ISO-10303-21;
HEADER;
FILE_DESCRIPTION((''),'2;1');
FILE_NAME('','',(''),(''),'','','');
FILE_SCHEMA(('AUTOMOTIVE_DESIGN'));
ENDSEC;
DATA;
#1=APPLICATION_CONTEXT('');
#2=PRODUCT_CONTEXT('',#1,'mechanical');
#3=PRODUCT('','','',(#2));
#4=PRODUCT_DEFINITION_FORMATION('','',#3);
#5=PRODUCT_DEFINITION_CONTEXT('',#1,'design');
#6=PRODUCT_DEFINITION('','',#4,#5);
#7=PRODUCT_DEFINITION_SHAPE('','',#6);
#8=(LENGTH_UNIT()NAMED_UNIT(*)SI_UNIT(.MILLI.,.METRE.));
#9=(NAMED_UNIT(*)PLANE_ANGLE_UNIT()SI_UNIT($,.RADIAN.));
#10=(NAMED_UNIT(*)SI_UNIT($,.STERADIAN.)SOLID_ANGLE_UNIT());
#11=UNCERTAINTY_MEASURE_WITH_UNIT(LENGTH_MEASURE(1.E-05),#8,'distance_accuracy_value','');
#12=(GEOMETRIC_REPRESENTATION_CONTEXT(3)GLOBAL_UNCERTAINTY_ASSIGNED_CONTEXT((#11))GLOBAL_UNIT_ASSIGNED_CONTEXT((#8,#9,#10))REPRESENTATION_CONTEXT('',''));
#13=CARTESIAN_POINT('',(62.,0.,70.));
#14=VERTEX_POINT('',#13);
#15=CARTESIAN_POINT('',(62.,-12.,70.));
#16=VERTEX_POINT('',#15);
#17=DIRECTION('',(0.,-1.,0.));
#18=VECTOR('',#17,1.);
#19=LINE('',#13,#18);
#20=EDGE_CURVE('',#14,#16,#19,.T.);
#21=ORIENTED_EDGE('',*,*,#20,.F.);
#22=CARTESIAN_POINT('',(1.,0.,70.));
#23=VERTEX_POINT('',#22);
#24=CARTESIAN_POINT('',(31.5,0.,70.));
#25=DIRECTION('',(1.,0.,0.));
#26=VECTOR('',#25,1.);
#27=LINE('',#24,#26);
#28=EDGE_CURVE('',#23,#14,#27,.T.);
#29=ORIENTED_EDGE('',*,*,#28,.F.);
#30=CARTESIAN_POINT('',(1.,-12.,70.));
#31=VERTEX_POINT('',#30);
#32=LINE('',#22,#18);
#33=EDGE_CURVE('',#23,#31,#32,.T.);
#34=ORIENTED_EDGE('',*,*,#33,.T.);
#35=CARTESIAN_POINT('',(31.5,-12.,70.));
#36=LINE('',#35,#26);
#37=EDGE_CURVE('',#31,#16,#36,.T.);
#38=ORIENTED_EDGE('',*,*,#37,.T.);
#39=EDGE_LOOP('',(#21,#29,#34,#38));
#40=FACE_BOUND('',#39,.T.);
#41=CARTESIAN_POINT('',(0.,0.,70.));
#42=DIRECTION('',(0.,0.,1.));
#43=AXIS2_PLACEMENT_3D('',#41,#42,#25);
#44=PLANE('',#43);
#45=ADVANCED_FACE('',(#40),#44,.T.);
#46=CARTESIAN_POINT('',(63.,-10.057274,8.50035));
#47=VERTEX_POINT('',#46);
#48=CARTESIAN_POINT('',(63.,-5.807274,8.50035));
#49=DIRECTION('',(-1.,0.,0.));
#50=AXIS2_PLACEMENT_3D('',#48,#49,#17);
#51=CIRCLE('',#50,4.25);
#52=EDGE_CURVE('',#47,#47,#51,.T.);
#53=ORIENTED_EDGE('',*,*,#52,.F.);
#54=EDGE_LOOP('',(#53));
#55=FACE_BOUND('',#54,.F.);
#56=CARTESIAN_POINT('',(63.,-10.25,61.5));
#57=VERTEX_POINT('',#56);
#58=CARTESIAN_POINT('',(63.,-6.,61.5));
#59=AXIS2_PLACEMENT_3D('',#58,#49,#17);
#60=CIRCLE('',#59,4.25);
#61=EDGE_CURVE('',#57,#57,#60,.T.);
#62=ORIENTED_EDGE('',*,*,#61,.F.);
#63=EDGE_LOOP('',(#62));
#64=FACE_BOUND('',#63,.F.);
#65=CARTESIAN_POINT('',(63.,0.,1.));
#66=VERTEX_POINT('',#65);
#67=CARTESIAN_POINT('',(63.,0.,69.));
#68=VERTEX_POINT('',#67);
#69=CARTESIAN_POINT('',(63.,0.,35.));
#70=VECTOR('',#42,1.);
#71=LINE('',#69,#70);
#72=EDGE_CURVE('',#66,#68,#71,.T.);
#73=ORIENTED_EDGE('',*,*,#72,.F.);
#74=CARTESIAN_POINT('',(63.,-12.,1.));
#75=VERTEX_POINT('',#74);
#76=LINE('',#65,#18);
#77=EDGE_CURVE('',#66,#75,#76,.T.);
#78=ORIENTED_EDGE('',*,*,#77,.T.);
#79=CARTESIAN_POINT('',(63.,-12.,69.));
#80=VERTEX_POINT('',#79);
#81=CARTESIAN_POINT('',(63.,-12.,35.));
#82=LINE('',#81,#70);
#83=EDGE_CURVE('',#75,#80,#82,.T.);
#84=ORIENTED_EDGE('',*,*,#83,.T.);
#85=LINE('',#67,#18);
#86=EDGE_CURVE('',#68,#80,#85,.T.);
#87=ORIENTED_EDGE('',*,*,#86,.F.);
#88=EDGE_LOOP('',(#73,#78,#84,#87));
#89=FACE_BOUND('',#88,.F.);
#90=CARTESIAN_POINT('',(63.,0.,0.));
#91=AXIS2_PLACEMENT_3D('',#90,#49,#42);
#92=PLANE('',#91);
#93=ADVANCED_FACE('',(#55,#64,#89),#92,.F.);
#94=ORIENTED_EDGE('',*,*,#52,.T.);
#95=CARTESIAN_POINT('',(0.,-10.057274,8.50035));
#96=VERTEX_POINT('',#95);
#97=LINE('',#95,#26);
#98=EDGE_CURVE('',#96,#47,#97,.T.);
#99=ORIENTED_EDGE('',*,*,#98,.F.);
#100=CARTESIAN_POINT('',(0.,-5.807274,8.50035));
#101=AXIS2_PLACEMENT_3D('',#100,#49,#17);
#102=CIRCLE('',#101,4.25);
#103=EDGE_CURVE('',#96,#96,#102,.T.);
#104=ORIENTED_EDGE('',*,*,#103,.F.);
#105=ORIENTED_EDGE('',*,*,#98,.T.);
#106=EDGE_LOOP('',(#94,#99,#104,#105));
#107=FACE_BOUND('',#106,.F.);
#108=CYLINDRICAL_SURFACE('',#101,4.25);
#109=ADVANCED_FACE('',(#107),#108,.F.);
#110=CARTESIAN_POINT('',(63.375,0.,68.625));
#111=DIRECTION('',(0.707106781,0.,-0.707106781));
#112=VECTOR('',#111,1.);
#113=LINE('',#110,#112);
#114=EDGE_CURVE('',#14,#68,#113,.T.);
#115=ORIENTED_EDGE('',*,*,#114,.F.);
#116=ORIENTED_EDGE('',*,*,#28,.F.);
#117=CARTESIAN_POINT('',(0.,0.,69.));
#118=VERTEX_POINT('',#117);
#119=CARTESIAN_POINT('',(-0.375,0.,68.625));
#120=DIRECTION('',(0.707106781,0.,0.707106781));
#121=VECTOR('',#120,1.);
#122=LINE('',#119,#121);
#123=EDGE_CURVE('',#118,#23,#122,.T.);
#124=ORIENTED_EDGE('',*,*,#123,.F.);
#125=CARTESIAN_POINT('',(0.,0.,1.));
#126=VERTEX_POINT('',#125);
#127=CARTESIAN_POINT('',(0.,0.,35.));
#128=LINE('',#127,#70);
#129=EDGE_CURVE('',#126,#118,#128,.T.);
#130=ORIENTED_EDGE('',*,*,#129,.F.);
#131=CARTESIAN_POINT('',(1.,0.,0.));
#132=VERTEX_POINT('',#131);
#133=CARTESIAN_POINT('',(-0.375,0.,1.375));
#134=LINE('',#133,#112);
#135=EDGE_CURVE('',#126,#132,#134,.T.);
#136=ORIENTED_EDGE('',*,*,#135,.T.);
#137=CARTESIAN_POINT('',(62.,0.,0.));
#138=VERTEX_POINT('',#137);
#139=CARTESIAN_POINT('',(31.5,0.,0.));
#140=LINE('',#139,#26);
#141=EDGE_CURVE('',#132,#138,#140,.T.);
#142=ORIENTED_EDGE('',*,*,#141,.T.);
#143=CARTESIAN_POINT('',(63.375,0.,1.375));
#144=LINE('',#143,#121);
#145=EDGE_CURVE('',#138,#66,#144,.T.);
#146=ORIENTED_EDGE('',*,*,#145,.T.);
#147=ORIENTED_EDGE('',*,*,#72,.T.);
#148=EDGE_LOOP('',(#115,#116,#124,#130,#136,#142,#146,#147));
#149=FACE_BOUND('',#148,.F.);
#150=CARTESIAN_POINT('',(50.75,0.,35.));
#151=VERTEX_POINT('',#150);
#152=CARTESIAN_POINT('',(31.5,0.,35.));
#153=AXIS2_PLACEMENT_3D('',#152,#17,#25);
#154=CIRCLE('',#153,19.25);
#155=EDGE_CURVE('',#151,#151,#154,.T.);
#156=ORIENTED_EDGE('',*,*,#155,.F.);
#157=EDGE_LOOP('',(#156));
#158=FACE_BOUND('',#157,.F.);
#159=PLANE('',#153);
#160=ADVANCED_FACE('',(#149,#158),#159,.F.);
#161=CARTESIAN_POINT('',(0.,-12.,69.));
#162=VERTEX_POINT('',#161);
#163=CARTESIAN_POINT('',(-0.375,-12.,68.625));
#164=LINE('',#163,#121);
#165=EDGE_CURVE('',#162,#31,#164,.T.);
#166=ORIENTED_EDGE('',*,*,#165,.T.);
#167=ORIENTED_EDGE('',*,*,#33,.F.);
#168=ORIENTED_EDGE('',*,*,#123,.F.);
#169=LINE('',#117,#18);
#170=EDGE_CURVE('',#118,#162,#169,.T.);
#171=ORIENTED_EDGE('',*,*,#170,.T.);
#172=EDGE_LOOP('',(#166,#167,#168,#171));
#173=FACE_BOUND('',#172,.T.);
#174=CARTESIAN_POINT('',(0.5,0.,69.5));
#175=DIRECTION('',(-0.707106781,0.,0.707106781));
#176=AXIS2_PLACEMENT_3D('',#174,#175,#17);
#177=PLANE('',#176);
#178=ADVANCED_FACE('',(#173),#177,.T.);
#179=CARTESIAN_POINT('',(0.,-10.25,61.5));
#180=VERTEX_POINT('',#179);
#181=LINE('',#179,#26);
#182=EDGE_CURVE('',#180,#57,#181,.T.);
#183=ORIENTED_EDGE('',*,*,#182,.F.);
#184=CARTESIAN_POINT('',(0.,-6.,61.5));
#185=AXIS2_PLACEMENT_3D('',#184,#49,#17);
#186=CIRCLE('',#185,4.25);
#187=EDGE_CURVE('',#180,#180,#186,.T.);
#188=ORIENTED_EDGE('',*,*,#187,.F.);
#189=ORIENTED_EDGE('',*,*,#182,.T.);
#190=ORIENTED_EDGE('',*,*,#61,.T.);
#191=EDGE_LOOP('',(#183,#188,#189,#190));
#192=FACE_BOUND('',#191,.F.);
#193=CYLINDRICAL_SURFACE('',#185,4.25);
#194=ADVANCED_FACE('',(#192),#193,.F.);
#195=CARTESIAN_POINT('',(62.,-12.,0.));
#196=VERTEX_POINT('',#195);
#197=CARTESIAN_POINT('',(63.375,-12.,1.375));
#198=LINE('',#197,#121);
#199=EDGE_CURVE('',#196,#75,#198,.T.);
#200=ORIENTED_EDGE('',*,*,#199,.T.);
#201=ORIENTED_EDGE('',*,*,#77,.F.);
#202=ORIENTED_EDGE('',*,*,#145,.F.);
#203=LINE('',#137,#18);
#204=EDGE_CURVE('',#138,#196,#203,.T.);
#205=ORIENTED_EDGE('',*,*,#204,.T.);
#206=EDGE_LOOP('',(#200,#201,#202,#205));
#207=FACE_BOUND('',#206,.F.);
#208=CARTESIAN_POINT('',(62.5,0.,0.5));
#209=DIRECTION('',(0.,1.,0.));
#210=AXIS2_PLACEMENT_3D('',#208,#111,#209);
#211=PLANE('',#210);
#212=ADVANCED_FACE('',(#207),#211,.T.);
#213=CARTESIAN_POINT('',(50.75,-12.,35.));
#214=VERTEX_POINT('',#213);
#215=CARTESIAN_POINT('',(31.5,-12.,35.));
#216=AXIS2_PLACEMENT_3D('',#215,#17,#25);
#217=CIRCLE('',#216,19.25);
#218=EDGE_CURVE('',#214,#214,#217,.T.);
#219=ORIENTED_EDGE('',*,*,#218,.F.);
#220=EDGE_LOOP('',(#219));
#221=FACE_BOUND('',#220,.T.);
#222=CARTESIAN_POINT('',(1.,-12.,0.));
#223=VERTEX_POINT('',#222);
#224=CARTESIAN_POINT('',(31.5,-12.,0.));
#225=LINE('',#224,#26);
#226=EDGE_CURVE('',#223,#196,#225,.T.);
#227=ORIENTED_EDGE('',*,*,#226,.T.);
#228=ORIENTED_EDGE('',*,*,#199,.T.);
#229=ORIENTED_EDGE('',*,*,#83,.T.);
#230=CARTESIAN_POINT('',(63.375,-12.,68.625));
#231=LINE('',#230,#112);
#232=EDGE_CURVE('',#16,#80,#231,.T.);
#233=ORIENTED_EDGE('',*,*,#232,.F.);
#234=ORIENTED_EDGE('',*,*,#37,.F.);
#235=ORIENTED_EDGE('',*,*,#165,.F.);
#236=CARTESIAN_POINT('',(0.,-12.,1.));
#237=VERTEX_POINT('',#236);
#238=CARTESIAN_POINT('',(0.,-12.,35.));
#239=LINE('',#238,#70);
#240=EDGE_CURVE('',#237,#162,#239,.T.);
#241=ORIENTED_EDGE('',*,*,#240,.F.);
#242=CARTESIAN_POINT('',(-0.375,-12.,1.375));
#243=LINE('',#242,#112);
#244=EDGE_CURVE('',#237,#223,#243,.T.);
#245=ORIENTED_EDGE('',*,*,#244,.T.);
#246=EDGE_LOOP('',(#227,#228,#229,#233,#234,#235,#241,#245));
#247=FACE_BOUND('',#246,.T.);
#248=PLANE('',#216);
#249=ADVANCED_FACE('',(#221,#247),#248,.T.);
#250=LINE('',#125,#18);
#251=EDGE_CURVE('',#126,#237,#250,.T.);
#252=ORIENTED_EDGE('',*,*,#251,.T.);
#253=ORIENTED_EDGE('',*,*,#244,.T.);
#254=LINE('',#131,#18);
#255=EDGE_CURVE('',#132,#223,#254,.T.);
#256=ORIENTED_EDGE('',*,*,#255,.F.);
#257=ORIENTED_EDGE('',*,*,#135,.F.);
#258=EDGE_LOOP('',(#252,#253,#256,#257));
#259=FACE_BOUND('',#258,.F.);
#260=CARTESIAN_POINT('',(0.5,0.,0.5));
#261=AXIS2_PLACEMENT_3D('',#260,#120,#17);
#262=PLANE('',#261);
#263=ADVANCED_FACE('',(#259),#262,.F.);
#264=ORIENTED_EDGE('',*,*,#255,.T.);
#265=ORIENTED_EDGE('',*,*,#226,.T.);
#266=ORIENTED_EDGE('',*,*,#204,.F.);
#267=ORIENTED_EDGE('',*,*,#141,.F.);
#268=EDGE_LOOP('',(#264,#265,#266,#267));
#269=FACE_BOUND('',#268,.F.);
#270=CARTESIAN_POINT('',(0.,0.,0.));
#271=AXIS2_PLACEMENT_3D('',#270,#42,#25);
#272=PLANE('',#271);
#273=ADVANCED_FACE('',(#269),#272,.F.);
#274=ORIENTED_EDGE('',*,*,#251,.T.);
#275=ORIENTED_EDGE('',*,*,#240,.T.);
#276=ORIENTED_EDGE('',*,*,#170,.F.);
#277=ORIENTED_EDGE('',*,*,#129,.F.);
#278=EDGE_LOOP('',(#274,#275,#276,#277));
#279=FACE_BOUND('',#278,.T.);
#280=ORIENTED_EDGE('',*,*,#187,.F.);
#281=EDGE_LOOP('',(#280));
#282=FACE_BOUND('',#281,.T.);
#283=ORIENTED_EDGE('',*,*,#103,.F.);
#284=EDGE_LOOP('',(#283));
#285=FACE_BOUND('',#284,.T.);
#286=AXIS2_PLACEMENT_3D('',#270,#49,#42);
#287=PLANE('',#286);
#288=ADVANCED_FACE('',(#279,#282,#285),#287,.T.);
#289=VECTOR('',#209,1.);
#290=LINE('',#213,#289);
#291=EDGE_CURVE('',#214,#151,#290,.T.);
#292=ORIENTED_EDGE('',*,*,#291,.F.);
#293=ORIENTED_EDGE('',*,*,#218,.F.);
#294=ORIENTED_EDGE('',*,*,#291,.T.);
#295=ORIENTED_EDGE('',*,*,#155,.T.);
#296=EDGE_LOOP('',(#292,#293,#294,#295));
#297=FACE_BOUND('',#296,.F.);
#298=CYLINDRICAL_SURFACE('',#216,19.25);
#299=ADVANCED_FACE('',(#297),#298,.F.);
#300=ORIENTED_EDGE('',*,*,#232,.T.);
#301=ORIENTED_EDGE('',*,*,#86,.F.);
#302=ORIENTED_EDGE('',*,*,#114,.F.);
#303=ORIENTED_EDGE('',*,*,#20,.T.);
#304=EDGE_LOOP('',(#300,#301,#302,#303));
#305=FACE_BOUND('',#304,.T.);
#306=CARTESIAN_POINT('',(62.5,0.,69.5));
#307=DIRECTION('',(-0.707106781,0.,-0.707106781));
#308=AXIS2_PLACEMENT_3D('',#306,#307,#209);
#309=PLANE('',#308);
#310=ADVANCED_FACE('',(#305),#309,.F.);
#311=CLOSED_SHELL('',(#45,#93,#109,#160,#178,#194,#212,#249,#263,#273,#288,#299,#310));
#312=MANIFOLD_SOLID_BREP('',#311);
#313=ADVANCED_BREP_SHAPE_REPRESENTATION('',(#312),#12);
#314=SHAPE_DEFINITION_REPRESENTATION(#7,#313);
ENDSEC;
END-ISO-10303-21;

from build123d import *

# Parameters (mm, degrees)
F0_W     = 63
F0_H     = 70
F1_DEPTH = 12
F2_R     = 19.25
F3_DEPTH = 25
F4_R     = 4.25
F5_DEPTH = 63.001
F6_SIZE  = 1


with BuildPart() as f1:
    # F0 (on Front) → F1 (new body)
    with BuildSketch(Plane.XZ):
        with Locations((31.5, 35)):
            Rectangle(F0_W, F0_H)
    extrude(amount=F1_DEPTH)

    # F2 (on face) → F3 (cut)
    with BuildSketch(Plane.XZ.offset(12)):
        with Locations((31.5, 35)):
            Circle(F2_R)
    extrude(amount=-F3_DEPTH, mode=Mode.SUBTRACT)

    # F4 (on face) → F5 (cut, through all)
    with BuildSketch(Plane(origin=(0, 0, 0), x_dir=(0, -1, 0), z_dir=(-1, 0, 0))):
        with Locations((6, 61.5)):
            Circle(F4_R)
        with Locations((5.807274, 8.50035)):
            Circle(F4_R)
    extrude(amount=-F5_DEPTH, mode=Mode.SUBTRACT)

    # F6
    f6_edges = [f1.edges().sort_by_distance(p)[0] for p in [
        (63, -6, 70),
        (63, -6, 0),
        (0, -6, 0),
        (0, -6, 70),
    ]]
    chamfer(f6_edges, length=F6_SIZE)


solid = f1.part
